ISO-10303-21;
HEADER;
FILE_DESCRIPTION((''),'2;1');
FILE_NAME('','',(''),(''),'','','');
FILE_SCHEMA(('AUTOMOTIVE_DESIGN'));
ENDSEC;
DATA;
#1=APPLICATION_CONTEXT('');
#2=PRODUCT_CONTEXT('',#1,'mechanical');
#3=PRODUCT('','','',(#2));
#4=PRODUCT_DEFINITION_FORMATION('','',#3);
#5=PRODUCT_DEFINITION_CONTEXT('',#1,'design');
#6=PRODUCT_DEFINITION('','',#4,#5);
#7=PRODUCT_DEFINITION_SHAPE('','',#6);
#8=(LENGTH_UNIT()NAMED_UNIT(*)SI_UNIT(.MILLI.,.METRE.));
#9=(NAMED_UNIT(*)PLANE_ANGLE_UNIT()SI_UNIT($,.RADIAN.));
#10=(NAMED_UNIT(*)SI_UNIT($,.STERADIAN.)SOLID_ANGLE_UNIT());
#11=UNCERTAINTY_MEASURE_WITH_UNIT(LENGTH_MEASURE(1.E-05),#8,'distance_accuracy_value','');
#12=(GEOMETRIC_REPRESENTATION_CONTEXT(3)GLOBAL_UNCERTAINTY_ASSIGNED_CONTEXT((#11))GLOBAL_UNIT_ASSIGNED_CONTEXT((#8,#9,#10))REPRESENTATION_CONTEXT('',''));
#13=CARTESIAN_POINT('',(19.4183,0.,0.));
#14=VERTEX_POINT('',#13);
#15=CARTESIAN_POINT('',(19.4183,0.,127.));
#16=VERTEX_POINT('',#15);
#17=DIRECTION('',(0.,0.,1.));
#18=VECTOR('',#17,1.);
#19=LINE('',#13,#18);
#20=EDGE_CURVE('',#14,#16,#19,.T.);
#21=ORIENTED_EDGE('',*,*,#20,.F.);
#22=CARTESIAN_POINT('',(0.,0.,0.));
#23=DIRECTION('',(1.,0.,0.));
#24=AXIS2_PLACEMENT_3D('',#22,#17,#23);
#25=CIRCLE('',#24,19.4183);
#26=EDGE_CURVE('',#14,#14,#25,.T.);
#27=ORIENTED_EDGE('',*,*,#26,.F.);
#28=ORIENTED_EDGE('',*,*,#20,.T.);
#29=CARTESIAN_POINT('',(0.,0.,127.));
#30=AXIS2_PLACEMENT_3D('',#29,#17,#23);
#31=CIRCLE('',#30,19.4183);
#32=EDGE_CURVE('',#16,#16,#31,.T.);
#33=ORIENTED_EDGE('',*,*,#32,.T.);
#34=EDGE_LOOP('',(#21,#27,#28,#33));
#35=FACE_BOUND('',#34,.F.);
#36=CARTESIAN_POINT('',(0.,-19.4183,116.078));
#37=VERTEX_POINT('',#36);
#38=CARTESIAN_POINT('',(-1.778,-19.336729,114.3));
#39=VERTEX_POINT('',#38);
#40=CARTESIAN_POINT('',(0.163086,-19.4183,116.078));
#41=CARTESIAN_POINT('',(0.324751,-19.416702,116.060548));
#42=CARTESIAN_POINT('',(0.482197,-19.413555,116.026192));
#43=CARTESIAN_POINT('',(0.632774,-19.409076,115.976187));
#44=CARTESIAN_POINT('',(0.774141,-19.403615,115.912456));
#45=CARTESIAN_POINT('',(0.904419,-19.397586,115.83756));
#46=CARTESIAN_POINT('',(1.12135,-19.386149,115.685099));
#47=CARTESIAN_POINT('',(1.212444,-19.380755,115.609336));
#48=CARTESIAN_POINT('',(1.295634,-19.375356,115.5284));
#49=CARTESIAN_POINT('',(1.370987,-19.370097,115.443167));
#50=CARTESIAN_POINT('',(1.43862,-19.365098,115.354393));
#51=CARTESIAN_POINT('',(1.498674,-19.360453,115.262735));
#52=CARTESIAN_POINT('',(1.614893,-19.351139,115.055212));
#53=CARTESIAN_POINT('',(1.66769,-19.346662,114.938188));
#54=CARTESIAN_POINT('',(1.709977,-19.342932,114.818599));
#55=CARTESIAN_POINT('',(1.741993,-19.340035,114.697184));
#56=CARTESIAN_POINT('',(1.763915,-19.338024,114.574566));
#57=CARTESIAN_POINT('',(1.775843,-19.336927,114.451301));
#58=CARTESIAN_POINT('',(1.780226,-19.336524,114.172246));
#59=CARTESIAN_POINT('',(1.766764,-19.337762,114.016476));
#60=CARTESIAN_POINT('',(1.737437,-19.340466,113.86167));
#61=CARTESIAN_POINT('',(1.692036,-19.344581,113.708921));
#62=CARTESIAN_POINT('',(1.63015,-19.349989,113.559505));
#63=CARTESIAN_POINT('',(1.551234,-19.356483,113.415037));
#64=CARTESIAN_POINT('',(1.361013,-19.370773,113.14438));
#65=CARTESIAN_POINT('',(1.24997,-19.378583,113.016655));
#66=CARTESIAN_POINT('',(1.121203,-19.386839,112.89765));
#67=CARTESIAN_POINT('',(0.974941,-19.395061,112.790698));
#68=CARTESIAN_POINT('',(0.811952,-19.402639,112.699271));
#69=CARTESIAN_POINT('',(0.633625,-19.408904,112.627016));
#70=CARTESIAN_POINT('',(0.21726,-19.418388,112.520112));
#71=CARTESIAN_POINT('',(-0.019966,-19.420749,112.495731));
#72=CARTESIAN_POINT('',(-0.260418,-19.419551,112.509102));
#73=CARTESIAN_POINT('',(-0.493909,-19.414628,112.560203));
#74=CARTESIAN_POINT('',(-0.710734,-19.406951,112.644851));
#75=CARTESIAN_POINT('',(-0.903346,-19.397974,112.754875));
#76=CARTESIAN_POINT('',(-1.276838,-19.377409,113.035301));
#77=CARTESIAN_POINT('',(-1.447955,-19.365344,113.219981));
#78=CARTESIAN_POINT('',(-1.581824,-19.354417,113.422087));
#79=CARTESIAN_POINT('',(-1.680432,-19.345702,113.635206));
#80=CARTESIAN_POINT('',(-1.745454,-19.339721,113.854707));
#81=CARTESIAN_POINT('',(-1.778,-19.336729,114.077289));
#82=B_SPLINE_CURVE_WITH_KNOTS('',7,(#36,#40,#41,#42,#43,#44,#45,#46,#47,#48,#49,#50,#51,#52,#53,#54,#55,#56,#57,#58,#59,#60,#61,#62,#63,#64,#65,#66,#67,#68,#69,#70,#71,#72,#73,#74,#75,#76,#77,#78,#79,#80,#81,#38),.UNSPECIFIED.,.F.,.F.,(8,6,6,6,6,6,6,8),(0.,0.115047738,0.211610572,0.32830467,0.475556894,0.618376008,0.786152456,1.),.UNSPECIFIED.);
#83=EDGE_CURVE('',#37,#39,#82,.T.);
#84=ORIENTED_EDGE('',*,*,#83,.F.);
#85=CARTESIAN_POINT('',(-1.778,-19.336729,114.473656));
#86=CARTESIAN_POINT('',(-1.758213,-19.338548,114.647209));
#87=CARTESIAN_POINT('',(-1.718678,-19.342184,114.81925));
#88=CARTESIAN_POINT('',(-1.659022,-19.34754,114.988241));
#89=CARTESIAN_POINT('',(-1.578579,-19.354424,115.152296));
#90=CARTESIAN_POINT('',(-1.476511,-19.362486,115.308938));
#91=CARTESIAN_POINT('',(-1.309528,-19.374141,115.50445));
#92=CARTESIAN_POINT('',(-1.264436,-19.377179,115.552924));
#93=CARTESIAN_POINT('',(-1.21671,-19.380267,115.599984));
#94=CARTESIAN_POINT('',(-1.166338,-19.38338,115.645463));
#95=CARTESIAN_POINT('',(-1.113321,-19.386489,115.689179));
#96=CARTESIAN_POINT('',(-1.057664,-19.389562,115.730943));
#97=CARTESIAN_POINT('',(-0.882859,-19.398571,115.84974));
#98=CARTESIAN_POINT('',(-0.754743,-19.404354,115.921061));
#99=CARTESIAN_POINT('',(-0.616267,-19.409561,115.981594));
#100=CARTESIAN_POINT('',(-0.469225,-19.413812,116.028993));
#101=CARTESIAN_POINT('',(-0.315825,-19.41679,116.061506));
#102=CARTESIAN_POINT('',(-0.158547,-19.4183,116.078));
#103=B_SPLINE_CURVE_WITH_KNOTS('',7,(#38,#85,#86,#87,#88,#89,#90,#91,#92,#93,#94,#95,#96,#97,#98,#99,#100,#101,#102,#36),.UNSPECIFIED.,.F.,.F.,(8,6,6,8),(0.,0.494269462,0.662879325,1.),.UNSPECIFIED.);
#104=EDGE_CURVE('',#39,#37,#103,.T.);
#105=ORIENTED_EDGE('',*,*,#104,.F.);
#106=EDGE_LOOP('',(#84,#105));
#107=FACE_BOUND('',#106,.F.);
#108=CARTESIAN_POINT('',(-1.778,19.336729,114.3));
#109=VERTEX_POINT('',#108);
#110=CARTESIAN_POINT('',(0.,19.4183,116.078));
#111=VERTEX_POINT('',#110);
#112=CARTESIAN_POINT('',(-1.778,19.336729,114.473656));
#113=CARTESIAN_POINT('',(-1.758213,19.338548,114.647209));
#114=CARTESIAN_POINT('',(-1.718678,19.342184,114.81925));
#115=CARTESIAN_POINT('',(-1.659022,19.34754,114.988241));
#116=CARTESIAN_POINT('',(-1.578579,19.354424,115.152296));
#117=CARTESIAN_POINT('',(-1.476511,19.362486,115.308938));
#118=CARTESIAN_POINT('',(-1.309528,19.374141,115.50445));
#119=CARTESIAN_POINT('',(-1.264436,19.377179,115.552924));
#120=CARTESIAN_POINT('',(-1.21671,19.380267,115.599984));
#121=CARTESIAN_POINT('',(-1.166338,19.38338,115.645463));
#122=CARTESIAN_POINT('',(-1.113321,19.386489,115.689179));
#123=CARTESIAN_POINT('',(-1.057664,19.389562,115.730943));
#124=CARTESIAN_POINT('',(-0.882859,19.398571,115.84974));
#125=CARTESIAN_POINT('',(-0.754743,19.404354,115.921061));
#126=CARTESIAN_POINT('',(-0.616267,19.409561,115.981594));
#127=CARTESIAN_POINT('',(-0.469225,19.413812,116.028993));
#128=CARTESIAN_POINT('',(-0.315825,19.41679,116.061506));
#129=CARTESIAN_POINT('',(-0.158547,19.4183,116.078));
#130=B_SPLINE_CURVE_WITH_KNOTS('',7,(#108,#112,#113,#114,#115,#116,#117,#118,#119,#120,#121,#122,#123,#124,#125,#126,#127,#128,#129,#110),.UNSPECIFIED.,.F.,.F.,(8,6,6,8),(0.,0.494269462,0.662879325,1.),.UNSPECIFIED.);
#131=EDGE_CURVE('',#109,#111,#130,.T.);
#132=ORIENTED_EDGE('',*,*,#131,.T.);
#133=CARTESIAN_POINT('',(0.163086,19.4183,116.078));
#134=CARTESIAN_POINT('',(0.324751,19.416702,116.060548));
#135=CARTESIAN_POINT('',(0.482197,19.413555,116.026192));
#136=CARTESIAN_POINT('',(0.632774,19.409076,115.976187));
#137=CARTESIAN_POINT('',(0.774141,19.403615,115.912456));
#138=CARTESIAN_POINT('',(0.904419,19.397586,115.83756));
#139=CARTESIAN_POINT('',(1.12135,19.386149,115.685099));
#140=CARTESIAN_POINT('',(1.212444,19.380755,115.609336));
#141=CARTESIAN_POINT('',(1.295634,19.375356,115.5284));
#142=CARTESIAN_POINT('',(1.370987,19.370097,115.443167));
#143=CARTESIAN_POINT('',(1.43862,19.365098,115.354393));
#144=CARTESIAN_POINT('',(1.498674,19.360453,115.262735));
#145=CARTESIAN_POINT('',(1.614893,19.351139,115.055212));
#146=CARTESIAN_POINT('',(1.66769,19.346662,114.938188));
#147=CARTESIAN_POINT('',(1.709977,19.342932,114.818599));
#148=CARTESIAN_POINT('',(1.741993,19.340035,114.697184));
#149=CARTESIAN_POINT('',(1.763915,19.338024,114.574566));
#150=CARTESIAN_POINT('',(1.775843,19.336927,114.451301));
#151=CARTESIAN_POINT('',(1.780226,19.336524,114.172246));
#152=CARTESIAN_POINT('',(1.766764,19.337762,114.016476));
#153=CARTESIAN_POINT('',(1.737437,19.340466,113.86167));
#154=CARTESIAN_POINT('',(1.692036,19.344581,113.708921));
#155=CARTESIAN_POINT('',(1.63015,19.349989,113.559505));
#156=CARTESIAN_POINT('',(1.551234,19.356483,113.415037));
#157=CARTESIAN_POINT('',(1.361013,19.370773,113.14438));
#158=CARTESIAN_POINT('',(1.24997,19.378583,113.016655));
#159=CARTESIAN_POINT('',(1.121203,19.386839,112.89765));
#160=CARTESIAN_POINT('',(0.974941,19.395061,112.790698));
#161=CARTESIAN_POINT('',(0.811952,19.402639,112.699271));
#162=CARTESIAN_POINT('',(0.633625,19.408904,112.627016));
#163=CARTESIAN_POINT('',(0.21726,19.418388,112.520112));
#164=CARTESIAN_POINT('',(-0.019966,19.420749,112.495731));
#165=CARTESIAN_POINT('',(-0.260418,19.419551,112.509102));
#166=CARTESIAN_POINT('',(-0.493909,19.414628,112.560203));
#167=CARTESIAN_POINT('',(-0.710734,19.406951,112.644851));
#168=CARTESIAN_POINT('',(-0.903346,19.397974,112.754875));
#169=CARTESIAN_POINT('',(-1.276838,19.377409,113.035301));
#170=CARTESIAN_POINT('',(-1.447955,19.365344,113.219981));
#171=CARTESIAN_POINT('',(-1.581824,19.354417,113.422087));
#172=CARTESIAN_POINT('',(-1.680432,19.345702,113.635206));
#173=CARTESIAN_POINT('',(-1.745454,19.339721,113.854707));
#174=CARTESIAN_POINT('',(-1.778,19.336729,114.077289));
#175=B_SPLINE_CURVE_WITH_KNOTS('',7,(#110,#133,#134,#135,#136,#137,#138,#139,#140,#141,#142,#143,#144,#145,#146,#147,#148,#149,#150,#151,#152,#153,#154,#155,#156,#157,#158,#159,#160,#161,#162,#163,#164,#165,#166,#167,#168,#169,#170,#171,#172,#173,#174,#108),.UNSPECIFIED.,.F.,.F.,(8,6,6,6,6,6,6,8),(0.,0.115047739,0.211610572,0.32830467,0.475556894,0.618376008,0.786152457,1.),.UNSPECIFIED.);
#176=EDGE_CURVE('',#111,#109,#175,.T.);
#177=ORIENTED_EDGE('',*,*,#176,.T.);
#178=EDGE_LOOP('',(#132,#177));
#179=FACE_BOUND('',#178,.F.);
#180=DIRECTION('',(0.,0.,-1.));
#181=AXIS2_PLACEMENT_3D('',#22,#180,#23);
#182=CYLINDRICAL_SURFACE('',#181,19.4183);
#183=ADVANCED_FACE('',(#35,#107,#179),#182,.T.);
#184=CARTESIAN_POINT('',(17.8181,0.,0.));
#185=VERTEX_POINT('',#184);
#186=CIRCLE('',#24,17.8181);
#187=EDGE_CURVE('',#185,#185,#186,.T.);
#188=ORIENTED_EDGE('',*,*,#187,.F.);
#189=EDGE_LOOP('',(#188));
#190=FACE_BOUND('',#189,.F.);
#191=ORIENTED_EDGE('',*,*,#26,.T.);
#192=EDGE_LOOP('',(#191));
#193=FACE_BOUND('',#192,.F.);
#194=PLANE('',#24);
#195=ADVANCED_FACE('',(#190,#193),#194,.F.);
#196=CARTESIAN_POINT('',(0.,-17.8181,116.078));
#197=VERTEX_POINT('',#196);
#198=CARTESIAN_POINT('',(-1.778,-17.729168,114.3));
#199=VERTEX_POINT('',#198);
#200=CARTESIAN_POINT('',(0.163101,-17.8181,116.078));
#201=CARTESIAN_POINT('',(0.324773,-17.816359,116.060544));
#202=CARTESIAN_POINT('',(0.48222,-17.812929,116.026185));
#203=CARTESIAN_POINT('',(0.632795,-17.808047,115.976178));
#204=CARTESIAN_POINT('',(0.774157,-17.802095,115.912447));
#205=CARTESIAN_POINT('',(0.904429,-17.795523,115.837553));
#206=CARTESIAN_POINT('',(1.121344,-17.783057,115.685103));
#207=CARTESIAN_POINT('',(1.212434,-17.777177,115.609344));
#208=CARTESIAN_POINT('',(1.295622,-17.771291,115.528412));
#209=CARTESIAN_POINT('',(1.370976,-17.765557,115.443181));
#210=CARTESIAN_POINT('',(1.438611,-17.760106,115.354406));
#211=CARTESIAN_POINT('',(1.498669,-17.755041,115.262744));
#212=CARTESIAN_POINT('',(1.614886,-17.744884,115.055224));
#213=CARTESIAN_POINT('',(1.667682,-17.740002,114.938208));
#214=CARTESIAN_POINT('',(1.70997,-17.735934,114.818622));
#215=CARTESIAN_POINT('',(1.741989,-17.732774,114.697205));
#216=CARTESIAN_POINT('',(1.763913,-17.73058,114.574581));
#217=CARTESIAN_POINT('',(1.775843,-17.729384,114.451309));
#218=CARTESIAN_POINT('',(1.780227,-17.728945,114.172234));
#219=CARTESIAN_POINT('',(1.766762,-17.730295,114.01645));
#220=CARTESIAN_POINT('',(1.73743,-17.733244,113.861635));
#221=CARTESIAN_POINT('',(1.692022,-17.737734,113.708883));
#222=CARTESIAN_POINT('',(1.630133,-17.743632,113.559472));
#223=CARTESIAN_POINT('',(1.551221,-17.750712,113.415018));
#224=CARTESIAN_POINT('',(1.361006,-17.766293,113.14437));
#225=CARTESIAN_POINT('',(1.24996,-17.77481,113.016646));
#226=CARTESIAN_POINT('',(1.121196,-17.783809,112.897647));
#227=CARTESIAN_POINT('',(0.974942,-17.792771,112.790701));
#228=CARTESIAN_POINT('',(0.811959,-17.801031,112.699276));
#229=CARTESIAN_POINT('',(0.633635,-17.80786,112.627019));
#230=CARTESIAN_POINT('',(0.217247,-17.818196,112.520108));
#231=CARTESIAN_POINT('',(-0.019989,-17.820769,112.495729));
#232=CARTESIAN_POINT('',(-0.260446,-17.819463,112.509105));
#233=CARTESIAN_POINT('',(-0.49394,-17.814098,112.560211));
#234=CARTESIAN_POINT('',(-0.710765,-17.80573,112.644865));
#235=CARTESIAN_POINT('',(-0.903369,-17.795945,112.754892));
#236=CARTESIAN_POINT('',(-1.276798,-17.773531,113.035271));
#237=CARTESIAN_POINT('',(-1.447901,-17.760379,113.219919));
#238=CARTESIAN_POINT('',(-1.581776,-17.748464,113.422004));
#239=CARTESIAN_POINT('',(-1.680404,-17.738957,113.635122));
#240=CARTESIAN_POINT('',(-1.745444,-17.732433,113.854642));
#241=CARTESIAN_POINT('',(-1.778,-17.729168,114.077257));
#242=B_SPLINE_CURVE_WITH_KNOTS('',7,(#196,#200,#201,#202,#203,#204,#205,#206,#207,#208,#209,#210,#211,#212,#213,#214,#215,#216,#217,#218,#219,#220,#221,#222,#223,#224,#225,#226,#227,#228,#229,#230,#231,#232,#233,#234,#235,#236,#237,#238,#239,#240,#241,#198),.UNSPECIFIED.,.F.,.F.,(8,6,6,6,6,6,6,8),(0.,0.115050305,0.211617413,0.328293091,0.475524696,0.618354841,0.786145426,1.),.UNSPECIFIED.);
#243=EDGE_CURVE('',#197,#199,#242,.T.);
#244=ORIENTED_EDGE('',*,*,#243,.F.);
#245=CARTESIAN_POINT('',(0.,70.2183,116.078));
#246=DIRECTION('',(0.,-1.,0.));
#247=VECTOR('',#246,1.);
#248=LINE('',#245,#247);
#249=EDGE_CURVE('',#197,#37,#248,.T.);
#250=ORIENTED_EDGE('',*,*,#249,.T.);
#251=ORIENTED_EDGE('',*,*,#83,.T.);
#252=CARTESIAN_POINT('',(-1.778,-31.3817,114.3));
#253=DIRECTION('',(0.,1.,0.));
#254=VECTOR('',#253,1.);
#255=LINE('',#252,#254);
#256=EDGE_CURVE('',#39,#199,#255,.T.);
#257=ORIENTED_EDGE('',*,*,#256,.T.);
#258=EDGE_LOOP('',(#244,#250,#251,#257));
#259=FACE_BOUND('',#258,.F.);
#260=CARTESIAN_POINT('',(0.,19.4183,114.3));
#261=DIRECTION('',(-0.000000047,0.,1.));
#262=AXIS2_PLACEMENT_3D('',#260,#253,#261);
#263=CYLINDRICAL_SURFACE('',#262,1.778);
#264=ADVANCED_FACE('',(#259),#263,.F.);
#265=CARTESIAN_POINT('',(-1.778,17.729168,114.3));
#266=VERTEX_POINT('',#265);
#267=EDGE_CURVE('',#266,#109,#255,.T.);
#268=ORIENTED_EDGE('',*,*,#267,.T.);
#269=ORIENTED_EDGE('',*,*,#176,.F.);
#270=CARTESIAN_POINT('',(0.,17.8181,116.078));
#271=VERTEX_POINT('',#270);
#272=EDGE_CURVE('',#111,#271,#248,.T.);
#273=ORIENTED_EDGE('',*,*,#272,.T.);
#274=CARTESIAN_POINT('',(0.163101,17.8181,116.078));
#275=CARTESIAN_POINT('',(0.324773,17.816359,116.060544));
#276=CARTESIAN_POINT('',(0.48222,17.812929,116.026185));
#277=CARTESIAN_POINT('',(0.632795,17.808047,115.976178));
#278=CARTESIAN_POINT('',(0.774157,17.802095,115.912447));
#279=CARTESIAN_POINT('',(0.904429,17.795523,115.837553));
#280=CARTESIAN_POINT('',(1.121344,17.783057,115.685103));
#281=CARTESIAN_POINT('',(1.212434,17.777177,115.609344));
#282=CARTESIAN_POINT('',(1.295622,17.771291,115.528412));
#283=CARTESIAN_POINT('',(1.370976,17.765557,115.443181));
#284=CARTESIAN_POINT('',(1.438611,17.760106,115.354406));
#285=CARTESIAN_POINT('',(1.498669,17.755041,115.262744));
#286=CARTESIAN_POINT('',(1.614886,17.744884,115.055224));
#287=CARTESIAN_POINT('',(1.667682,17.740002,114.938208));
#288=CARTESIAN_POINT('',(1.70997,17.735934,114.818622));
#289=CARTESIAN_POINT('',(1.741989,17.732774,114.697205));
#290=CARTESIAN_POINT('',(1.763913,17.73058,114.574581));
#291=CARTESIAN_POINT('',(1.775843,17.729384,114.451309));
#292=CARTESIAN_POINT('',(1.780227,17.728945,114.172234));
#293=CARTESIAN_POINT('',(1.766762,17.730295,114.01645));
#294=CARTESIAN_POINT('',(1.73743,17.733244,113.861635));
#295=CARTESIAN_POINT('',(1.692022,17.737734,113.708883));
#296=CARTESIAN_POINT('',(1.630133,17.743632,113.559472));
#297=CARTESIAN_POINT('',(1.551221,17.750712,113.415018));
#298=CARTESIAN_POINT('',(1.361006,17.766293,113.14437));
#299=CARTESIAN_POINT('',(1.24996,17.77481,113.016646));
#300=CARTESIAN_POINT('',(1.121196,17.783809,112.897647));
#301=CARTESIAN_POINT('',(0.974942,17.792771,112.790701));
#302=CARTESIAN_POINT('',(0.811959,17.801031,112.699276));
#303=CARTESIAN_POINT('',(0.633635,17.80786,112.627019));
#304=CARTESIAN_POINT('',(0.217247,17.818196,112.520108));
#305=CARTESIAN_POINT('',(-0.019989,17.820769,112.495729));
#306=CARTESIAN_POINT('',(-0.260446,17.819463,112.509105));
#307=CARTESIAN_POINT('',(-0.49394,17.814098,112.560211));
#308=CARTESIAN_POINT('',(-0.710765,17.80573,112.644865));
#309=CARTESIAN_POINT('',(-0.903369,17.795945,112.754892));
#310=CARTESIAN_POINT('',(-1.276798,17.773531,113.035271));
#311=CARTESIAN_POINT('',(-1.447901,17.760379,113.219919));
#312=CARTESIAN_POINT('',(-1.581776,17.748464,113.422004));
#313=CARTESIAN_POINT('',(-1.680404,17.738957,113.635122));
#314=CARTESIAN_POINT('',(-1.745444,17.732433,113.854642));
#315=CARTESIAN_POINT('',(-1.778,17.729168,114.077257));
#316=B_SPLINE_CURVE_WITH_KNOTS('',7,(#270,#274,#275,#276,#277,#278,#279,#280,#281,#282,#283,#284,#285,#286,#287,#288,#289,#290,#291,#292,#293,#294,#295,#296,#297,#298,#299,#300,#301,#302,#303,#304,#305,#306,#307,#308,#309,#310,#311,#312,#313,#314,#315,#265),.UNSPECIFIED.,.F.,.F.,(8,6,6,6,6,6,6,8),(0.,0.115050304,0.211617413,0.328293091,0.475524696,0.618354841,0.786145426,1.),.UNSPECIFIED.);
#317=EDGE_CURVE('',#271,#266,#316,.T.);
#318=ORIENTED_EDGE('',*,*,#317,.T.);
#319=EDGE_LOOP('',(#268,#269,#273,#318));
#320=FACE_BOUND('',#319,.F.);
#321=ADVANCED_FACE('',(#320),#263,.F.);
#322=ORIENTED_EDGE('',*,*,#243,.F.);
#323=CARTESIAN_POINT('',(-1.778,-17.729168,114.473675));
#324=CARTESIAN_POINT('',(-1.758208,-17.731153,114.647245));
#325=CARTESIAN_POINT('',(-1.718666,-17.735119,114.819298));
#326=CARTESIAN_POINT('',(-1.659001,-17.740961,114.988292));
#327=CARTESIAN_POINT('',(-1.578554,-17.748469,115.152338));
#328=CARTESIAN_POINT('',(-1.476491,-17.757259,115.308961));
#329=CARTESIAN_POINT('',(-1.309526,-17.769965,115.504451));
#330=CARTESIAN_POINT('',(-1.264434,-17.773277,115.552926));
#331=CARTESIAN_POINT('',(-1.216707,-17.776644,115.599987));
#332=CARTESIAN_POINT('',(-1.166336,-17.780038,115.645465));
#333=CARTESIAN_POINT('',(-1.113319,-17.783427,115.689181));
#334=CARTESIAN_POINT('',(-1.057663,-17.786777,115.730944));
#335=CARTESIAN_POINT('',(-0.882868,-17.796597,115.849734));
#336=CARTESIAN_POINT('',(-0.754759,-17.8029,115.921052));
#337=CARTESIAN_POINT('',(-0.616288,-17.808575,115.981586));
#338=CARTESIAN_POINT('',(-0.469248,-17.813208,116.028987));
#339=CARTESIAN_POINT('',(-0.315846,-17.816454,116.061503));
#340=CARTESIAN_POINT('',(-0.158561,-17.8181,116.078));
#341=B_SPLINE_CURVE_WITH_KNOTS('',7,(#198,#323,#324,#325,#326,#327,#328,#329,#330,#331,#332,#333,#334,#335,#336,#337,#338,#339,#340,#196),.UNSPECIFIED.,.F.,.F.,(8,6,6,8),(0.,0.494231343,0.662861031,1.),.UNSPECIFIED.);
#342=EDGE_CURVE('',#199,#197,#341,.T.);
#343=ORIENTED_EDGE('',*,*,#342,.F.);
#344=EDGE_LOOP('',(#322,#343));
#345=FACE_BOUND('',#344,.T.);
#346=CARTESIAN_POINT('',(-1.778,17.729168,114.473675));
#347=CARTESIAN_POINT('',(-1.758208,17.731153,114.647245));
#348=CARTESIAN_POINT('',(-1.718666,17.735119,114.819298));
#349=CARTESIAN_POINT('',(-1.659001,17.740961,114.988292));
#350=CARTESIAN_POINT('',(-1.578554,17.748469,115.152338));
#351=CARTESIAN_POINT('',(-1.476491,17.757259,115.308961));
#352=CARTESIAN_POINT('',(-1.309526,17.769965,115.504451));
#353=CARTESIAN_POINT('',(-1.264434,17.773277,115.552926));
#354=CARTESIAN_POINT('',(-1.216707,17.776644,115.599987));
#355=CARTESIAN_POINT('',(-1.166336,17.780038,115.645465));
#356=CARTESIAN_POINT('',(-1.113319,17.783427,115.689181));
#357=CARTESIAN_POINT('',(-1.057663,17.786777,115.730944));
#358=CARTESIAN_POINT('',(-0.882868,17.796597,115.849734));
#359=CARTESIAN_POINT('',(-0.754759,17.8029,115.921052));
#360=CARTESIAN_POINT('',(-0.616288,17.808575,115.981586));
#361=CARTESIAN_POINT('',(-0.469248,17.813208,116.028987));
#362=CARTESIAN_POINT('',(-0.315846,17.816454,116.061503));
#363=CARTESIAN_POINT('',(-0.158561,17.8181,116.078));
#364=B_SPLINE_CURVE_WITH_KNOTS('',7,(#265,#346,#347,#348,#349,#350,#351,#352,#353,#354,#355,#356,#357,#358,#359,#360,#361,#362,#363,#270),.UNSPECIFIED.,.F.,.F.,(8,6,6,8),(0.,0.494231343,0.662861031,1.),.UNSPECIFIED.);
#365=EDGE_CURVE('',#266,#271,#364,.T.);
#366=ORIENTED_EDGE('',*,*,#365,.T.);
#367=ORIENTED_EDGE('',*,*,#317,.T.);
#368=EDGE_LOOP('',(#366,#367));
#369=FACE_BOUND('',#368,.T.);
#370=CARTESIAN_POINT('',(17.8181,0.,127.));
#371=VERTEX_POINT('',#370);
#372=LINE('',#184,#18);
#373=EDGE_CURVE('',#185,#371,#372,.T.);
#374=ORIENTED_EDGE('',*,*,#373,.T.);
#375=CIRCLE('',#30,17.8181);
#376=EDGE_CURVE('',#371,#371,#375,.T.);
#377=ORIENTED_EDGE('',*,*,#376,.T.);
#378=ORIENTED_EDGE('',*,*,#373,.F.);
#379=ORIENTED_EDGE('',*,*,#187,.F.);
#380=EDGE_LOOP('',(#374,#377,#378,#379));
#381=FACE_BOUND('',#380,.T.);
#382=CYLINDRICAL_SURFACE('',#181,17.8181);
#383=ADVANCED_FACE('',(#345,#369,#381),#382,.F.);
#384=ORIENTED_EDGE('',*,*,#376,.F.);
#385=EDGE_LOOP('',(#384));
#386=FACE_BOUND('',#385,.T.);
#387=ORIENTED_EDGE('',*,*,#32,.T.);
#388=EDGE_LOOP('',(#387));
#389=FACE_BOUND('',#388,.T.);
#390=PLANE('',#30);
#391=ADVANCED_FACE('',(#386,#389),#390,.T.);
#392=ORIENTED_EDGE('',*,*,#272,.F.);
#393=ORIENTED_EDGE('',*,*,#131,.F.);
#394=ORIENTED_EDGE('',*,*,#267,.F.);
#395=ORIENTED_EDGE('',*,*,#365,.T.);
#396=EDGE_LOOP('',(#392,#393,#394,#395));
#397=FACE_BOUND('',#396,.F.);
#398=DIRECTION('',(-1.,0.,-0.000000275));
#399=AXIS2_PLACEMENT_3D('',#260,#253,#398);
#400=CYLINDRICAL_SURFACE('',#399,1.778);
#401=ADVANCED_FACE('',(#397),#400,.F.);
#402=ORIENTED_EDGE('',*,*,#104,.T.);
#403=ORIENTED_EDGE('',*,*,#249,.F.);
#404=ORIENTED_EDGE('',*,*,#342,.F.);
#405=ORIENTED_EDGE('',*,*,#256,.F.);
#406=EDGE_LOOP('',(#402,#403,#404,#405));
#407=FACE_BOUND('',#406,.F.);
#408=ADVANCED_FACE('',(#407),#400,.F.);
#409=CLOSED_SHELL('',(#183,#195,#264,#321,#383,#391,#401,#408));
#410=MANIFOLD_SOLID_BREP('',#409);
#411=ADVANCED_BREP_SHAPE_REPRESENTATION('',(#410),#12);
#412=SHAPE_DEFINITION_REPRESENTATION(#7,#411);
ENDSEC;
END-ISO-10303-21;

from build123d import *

# Parameters (mm, degrees)
F0_R     = 19.4183
F0_R_2   = 17.8181
F1_DEPTH = 127
F5_DEPTH = 50.8


with BuildPart() as f1:
    # F0 (on Top) → F1 (new body)
    with BuildSketch(Plane.XY):
        Circle(F0_R)
        Circle(F0_R_2, mode=Mode.SUBTRACT)
    extrude(amount=F1_DEPTH)

    # F4 (on face) → F5 (cut, symmetric)
    with BuildSketch(Plane(origin=(0, 19.4183, 0), x_dir=(-1, 0, 0), z_dir=(0, 1, 0))):
        with BuildLine():
            ThreePointArc((0, 116.078), (-1.257236, 113.042764), (1.778, 114.3))
            ThreePointArc((1.778, 114.3), (1.257236, 115.557236), (0, 116.078))
        make_face()
    extrude(amount=F5_DEPTH, both=True, mode=Mode.SUBTRACT)


solid = f1.part
